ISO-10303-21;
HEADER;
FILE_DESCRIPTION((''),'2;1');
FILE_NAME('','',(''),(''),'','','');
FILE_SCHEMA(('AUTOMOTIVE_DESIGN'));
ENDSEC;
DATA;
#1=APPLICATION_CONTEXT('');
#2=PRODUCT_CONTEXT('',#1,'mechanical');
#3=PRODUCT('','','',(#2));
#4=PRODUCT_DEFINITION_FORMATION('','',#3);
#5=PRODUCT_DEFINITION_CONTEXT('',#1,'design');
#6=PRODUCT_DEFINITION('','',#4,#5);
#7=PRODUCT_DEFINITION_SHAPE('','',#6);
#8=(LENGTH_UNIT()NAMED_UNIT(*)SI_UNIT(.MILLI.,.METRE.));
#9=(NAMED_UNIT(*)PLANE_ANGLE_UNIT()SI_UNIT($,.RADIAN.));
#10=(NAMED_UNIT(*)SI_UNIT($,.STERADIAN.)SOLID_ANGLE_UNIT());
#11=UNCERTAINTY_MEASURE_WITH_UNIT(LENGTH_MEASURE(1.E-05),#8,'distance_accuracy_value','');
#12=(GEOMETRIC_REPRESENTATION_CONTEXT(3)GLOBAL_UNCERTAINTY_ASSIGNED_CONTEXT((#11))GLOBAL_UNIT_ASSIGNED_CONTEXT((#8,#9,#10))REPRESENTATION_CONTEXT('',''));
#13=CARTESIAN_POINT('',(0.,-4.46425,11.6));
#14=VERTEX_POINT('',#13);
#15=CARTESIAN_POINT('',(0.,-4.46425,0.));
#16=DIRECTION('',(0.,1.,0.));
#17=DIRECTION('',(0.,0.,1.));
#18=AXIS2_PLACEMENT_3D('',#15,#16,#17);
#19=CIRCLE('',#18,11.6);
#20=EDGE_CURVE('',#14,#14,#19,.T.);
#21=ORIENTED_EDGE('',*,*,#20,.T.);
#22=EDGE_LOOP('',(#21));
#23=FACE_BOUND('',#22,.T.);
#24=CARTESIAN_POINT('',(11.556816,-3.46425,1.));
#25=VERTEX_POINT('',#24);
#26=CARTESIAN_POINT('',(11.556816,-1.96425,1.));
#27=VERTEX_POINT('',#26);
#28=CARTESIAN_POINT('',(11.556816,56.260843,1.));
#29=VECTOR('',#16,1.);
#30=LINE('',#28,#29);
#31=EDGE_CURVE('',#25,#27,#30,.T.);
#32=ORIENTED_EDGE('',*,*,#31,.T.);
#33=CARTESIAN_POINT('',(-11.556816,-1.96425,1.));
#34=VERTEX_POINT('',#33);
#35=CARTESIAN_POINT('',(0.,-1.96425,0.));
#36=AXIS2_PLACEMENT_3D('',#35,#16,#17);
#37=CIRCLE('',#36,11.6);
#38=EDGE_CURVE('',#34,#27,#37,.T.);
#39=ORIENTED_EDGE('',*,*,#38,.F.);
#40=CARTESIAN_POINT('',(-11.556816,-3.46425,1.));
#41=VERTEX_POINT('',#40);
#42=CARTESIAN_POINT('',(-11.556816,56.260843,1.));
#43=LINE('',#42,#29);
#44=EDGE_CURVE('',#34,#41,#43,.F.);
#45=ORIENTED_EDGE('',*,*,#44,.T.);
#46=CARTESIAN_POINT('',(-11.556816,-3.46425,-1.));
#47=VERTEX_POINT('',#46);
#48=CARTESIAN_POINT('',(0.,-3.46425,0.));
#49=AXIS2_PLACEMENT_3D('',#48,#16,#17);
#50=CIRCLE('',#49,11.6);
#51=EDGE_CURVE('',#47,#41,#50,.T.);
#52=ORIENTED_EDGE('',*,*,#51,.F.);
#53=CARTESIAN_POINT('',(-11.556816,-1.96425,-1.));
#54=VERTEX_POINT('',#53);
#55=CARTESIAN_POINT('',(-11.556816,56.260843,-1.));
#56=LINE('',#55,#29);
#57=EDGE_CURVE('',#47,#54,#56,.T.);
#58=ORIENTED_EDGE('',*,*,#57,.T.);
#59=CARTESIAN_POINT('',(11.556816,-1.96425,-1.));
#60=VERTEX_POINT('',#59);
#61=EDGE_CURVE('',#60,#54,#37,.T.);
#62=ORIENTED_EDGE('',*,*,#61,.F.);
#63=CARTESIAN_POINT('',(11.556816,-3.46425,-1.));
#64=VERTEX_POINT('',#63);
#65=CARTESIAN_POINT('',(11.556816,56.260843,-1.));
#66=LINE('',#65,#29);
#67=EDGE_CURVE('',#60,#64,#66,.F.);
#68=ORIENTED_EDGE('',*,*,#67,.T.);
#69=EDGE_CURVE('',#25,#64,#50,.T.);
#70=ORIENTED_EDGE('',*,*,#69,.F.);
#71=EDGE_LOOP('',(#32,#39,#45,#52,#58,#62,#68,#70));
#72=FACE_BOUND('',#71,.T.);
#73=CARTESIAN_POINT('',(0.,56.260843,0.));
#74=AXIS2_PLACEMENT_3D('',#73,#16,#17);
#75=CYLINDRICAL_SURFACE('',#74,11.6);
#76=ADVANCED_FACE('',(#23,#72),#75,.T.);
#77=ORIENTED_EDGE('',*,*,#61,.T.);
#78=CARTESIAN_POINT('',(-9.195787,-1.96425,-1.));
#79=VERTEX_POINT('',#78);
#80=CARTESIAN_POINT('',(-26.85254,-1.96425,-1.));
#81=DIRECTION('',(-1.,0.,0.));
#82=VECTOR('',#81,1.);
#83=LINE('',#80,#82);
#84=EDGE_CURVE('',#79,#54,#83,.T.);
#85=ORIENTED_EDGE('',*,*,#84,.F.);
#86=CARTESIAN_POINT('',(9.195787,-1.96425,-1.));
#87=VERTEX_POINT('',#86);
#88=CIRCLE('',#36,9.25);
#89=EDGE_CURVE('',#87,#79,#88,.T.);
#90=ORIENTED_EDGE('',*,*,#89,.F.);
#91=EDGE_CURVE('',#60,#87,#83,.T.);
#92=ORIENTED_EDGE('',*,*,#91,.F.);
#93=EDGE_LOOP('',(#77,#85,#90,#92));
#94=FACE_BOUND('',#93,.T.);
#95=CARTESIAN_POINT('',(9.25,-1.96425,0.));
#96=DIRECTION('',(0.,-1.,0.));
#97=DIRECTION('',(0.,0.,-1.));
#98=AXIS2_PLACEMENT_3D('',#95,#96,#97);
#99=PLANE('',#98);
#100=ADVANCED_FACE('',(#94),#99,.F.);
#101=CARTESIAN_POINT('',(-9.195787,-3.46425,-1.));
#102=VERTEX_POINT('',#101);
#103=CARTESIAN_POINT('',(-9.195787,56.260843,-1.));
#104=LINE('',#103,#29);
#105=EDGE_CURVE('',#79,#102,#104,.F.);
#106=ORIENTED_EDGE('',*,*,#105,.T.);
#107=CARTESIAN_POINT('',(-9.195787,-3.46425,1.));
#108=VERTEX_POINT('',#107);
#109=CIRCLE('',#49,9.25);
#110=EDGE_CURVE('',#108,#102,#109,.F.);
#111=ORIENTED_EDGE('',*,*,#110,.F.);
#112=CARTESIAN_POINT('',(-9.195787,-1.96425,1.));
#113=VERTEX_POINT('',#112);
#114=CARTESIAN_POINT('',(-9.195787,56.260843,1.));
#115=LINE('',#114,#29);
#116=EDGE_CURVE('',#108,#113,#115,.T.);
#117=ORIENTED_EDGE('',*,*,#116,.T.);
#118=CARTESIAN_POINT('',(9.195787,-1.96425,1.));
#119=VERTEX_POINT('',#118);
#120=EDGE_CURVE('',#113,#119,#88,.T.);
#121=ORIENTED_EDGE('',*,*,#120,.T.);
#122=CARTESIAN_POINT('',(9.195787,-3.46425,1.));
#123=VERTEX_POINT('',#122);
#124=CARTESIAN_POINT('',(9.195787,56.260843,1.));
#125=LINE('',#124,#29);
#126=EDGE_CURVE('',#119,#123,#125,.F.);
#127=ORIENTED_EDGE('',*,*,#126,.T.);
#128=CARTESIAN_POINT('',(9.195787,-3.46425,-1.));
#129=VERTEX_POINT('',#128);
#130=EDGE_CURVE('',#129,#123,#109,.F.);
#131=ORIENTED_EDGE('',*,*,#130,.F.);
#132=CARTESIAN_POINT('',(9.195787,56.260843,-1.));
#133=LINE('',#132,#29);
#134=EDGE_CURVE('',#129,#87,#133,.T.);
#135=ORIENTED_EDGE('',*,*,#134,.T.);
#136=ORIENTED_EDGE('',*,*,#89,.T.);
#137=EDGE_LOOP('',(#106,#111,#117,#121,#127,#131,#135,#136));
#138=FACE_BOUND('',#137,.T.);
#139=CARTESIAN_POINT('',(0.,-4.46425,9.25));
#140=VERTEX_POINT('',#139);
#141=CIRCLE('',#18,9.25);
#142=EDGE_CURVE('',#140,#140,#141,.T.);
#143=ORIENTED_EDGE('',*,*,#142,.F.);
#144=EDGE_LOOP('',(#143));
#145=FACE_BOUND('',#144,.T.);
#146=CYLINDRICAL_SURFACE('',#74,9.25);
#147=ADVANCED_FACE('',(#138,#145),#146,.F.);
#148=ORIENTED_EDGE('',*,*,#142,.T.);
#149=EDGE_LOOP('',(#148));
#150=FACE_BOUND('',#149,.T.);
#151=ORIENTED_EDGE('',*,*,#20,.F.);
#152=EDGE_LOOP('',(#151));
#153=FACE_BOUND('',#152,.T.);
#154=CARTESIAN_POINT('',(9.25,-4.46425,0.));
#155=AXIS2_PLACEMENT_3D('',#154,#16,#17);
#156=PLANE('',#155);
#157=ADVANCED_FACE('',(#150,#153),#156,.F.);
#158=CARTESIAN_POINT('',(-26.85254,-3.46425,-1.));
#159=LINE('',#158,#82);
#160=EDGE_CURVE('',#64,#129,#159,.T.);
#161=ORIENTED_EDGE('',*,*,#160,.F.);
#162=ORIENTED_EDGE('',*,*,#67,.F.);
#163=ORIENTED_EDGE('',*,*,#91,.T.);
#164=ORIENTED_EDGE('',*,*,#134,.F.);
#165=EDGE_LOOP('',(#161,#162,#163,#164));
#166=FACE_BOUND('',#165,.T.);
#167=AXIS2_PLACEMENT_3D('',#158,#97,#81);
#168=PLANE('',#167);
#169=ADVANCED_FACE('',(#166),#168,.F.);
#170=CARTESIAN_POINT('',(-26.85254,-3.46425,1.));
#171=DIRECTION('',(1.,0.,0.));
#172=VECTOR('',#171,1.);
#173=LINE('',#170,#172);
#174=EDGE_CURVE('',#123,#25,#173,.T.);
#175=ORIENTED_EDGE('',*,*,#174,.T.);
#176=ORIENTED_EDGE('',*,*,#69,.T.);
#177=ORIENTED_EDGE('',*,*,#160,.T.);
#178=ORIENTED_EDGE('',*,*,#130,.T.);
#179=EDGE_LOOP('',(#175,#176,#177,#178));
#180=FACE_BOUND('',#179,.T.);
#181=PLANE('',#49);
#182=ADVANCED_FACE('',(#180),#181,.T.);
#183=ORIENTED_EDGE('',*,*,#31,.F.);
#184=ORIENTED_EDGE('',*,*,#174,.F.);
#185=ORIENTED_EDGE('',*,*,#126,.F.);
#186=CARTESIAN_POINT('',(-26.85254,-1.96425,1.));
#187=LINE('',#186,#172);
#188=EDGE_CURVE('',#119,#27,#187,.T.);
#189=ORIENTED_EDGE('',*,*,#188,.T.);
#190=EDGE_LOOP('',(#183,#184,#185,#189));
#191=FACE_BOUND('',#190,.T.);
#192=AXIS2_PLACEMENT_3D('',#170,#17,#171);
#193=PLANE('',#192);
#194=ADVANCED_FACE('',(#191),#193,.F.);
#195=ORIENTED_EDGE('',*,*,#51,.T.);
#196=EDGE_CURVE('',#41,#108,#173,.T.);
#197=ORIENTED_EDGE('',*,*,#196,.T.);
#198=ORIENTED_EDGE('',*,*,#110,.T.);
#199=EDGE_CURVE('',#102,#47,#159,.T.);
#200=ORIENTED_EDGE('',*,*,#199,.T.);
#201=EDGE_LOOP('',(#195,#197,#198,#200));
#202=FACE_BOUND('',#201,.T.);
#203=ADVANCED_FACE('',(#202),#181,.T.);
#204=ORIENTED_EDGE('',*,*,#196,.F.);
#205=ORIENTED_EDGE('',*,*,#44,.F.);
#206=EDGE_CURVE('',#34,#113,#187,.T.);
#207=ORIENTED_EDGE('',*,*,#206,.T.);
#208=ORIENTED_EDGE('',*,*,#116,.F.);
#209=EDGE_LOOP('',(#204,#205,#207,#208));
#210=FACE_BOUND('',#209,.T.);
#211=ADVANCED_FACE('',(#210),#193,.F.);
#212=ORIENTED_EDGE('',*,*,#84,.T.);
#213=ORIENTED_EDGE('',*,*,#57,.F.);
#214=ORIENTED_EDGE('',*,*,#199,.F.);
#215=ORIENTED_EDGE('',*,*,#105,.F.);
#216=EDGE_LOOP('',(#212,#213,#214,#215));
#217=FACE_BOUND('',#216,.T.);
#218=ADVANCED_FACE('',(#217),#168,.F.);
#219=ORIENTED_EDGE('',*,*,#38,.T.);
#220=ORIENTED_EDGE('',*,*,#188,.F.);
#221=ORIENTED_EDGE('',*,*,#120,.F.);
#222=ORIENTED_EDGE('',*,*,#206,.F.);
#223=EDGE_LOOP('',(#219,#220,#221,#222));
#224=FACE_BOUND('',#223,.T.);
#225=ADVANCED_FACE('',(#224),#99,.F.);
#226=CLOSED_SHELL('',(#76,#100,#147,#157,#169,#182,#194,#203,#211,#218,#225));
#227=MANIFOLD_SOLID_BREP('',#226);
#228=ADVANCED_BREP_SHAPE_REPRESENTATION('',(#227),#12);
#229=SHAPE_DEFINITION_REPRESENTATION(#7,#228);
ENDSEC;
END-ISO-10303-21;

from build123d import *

# Parameters (mm, degrees)
SKETCH_1_W          = 2.35
SKETCH_1_H          = 2.5
SKETCH_2_W          = 53.705080546
SKETCH_2_H          = 2
CUT_EXTRUDE_1_DEPTH = 1.5


with BuildPart() as part:
    # 草图1 → 旋转1 (revolve)
    with BuildSketch(Plane.XY, mode=Mode.PRIVATE) as revolve_1_sk:
        with Locations((10.425, -3.214249787)):
            Rectangle(SKETCH_1_W, SKETCH_1_H)
    revolve(revolve_1_sk.sketch.rotate(Axis((0, 56.260842627, 0), (0, -1, 0)), 90), axis=Axis((0, 56.260842627, 0), (0, -1, 0)))  # turned: the seam where the file's is

    # 草图2 → 切除-拉伸1 (cut)
    with BuildSketch(Plane(origin=(0, -1.964249787, 0), x_dir=(1, 0, 0), z_dir=(0, 1, 0))):
        Rectangle(SKETCH_2_W, SKETCH_2_H)
    extrude(amount=-CUT_EXTRUDE_1_DEPTH, mode=Mode.SUBTRACT)


solid = part.part
